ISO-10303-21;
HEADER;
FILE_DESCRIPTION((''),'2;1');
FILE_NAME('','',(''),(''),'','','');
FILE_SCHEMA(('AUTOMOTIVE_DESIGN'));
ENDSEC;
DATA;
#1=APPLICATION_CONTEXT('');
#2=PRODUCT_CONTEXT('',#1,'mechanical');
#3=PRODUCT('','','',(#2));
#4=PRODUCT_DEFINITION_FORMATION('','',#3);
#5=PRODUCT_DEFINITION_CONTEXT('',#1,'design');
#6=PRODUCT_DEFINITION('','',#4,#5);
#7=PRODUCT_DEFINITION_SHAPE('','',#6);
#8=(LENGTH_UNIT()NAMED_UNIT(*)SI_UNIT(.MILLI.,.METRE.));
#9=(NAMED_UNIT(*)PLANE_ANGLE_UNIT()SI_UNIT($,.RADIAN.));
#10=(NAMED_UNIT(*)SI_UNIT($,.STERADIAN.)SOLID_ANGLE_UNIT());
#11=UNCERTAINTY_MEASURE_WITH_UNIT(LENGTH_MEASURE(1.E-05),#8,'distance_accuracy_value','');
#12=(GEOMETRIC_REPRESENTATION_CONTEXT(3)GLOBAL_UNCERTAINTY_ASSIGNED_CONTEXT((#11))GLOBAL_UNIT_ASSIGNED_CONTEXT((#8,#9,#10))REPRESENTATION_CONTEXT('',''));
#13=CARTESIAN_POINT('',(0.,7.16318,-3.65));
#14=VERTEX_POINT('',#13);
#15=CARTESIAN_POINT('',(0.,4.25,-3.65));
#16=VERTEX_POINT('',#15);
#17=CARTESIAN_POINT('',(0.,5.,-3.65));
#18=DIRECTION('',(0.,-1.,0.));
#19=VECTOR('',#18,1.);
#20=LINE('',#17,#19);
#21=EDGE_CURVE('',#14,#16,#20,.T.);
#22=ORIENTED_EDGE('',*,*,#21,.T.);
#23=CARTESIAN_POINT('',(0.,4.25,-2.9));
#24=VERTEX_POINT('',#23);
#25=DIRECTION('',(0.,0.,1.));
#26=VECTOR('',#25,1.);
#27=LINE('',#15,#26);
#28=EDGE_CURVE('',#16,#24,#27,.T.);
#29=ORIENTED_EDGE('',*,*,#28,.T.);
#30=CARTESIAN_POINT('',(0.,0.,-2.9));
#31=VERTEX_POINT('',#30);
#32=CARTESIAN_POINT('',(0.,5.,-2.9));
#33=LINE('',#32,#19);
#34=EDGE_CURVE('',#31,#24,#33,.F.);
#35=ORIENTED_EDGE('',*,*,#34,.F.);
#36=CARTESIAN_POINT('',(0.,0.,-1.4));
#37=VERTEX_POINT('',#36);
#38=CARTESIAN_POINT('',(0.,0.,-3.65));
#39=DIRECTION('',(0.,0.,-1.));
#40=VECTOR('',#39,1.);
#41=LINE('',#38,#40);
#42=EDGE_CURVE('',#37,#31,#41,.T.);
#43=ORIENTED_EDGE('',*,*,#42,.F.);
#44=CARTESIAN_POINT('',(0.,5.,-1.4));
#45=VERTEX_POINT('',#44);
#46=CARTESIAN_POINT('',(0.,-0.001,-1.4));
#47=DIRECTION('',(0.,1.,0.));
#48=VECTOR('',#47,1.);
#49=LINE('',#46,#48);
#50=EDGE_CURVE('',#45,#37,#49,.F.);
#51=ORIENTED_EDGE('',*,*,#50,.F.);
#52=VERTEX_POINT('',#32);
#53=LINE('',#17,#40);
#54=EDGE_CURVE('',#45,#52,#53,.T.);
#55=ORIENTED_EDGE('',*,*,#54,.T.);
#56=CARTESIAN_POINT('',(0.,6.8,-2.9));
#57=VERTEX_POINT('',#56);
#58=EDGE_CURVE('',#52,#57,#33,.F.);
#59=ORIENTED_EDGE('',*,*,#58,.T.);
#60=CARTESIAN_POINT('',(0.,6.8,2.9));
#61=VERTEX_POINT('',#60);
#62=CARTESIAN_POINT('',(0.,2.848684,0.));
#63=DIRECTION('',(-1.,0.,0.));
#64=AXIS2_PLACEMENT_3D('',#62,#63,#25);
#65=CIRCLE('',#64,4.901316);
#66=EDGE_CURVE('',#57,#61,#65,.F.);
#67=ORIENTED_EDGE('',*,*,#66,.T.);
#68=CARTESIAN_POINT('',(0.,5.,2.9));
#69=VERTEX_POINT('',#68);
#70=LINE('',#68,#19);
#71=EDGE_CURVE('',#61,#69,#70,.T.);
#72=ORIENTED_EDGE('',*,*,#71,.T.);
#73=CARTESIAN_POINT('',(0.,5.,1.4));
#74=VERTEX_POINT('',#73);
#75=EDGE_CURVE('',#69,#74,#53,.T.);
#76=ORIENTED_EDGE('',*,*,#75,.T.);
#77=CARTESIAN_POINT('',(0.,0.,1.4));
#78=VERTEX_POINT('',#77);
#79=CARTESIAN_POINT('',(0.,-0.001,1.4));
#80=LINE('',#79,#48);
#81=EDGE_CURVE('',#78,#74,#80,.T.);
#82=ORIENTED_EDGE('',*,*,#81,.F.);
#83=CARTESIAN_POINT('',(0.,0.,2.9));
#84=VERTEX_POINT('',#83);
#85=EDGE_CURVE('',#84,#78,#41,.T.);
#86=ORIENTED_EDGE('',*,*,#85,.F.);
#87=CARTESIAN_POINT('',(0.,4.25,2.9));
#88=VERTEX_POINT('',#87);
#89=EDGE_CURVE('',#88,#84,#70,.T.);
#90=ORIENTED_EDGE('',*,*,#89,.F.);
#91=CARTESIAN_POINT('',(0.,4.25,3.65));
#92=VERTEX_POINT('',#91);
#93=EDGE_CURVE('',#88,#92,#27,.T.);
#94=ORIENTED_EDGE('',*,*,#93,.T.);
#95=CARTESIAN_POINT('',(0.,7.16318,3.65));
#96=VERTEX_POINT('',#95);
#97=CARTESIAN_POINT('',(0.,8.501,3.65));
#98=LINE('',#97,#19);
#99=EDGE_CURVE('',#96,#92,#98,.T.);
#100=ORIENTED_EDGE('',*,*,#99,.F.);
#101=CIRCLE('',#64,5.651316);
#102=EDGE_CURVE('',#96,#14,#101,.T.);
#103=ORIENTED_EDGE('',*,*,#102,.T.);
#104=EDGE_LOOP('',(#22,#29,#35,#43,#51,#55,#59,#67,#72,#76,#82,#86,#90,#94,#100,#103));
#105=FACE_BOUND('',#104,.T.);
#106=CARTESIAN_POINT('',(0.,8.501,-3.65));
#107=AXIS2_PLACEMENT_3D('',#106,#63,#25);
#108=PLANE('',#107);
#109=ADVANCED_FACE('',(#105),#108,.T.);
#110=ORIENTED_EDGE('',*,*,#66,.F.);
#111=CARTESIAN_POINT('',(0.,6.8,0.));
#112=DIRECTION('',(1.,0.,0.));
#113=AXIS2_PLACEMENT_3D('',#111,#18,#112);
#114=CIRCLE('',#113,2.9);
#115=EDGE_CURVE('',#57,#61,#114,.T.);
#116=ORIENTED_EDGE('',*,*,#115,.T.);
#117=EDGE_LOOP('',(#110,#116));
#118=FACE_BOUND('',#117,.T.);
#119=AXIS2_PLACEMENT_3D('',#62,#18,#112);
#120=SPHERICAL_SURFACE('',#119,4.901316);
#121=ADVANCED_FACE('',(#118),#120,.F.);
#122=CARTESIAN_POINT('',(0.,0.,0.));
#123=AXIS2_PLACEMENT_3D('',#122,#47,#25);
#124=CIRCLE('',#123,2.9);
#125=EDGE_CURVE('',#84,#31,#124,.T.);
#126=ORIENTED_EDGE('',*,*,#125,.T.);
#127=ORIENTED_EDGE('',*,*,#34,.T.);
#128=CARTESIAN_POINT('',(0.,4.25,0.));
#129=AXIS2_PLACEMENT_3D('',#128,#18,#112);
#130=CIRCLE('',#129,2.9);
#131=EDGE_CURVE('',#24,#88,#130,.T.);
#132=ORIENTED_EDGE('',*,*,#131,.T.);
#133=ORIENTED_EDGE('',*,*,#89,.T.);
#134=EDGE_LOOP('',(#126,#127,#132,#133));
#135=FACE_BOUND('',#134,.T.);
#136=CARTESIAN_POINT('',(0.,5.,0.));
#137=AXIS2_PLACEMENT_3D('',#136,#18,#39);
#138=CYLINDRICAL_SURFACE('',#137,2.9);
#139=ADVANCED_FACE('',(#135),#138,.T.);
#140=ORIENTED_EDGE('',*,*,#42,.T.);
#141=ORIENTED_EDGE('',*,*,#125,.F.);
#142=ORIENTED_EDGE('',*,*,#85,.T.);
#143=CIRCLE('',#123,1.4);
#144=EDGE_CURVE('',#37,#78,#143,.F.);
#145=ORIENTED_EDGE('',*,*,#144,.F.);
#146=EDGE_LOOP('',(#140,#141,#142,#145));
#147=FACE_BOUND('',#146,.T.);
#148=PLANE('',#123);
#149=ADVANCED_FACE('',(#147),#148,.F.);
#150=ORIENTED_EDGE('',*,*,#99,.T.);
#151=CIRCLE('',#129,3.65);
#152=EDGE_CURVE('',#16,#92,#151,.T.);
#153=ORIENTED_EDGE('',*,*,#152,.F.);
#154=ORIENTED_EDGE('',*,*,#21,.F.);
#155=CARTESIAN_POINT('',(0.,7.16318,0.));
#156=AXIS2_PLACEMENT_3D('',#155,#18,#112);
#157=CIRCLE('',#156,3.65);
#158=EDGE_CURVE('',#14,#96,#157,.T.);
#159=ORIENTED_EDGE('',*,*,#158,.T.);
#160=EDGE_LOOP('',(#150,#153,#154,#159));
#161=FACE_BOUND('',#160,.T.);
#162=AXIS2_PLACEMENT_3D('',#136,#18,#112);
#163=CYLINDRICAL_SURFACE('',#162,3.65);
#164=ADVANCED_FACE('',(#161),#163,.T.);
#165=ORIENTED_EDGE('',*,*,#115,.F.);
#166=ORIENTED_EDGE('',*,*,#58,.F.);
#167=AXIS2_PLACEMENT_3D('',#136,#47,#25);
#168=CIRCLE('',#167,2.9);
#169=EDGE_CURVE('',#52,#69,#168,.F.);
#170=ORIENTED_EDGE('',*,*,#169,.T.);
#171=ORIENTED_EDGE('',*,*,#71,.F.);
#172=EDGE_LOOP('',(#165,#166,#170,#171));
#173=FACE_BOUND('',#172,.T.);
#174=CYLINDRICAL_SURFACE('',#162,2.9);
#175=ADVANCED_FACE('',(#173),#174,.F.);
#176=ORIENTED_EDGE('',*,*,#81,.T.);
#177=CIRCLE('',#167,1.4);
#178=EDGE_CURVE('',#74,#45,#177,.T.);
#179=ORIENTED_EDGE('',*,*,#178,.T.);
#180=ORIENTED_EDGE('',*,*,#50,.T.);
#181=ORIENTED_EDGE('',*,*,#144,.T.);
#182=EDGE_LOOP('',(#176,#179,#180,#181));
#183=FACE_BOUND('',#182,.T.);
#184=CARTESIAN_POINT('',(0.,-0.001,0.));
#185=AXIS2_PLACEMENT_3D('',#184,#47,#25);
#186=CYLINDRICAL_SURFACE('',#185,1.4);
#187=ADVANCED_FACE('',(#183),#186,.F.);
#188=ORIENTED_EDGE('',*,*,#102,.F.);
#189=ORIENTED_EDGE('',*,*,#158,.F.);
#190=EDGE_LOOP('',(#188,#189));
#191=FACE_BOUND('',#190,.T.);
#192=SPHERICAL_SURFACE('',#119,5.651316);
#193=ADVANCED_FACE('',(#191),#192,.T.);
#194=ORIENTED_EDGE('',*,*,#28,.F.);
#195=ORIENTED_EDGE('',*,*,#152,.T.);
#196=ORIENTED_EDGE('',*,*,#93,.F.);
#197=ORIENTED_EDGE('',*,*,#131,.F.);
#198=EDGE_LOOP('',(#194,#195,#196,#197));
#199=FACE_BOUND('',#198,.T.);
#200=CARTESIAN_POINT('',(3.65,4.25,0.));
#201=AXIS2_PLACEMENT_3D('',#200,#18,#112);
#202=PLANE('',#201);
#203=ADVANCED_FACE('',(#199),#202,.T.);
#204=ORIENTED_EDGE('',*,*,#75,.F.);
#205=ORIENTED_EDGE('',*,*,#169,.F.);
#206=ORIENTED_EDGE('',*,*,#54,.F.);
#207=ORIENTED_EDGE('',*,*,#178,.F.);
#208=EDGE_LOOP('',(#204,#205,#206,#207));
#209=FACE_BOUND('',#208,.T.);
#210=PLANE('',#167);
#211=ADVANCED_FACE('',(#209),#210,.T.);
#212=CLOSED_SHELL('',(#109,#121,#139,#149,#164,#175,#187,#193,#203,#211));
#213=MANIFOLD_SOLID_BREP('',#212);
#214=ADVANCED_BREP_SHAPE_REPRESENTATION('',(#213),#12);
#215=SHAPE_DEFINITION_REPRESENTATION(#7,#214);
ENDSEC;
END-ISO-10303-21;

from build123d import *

# Parameters (mm, degrees)
SKETCH1_R           = 2.9
BOSS_EXTRUDE1_DEPTH = 5
CUT_EXTRUDE1_REACH  = 8.467
SKETCH2_R           = 1.4
CUT_EXTRUDE2_REACH  = 11.945
SKETCH8_W           = 3.65
SKETCH8_H           = 7.3


with BuildPart() as part:
    # Sketch1 → Boss-Extrude1 (new body)
    with BuildSketch(Plane(origin=(0, 0, 0), x_dir=(1, 0, 0), z_dir=(0, 1, 0))):
        with Locations(Location((0, 0, 0), (0, 0, 270))):
            Circle(SKETCH1_R)
    extrude(amount=BOSS_EXTRUDE1_DEPTH)

    # Sketch2 → Cut-Extrude1 (cut, up to next)
    with BuildSketch(Plane(origin=(0, 5, 0), x_dir=(1, 0, 0), z_dir=(0, 1, 0)), mode=Mode.PRIVATE) as cut_extrude1_sk1:
        with Locations(Location((0, 0, 0), (0, 0, 270))):
            Circle(SKETCH2_R)
    cut_extrude1_tool1 = extrude(cut_extrude1_sk1.sketch, amount=-CUT_EXTRUDE1_REACH, mode=Mode.PRIVATE) & part.part
    add(cut_extrude1_tool1.solids().sort_by_distance((0, 5, 0))[0], mode=Mode.SUBTRACT)

    # Sketch6 → Revolve2 (revolve)
    with BuildSketch(Plane.XY):
        with BuildLine():
            Line((2.9, 6.8), (2.9, 5))
            Line((2.9, 5), (2.9, 4.25))
            Line((2.9, 4.25), (3.65, 4.25))
            Line((3.65, 4.25), (3.65, 5))
            Line((3.65, 5), (3.65, 7.163179564))
            ThreePointArc((3.65, 7.163179564), (1.943552731, 8.155281325), (0, 8.5))
            Line((0, 8.5), (0, 7.75))
            ThreePointArc((0, 7.75), (1.525819452, 7.506448853), (2.9, 6.8))
        make_face()
    revolve(axis=Axis((0, 5, 0), (0, 1, 0)))

    # Sketch8 → Cut-Extrude2 (cut, up to next)
    with BuildSketch(Plane(origin=(0, 0, 0), x_dir=(1, 0, 0), z_dir=(0, 1, 0)), mode=Mode.PRIVATE) as cut_extrude2_sk1:
        with Locations((-1.825, 0)):
            Rectangle(SKETCH8_W, SKETCH8_H)
    cut_extrude2_tool1 = extrude(cut_extrude2_sk1.sketch, amount=CUT_EXTRUDE2_REACH, mode=Mode.PRIVATE) & part.part
    add(cut_extrude2_tool1.solids().sort_by_distance((-1.825, 0, 0))[0], mode=Mode.SUBTRACT)


solid = part.part
